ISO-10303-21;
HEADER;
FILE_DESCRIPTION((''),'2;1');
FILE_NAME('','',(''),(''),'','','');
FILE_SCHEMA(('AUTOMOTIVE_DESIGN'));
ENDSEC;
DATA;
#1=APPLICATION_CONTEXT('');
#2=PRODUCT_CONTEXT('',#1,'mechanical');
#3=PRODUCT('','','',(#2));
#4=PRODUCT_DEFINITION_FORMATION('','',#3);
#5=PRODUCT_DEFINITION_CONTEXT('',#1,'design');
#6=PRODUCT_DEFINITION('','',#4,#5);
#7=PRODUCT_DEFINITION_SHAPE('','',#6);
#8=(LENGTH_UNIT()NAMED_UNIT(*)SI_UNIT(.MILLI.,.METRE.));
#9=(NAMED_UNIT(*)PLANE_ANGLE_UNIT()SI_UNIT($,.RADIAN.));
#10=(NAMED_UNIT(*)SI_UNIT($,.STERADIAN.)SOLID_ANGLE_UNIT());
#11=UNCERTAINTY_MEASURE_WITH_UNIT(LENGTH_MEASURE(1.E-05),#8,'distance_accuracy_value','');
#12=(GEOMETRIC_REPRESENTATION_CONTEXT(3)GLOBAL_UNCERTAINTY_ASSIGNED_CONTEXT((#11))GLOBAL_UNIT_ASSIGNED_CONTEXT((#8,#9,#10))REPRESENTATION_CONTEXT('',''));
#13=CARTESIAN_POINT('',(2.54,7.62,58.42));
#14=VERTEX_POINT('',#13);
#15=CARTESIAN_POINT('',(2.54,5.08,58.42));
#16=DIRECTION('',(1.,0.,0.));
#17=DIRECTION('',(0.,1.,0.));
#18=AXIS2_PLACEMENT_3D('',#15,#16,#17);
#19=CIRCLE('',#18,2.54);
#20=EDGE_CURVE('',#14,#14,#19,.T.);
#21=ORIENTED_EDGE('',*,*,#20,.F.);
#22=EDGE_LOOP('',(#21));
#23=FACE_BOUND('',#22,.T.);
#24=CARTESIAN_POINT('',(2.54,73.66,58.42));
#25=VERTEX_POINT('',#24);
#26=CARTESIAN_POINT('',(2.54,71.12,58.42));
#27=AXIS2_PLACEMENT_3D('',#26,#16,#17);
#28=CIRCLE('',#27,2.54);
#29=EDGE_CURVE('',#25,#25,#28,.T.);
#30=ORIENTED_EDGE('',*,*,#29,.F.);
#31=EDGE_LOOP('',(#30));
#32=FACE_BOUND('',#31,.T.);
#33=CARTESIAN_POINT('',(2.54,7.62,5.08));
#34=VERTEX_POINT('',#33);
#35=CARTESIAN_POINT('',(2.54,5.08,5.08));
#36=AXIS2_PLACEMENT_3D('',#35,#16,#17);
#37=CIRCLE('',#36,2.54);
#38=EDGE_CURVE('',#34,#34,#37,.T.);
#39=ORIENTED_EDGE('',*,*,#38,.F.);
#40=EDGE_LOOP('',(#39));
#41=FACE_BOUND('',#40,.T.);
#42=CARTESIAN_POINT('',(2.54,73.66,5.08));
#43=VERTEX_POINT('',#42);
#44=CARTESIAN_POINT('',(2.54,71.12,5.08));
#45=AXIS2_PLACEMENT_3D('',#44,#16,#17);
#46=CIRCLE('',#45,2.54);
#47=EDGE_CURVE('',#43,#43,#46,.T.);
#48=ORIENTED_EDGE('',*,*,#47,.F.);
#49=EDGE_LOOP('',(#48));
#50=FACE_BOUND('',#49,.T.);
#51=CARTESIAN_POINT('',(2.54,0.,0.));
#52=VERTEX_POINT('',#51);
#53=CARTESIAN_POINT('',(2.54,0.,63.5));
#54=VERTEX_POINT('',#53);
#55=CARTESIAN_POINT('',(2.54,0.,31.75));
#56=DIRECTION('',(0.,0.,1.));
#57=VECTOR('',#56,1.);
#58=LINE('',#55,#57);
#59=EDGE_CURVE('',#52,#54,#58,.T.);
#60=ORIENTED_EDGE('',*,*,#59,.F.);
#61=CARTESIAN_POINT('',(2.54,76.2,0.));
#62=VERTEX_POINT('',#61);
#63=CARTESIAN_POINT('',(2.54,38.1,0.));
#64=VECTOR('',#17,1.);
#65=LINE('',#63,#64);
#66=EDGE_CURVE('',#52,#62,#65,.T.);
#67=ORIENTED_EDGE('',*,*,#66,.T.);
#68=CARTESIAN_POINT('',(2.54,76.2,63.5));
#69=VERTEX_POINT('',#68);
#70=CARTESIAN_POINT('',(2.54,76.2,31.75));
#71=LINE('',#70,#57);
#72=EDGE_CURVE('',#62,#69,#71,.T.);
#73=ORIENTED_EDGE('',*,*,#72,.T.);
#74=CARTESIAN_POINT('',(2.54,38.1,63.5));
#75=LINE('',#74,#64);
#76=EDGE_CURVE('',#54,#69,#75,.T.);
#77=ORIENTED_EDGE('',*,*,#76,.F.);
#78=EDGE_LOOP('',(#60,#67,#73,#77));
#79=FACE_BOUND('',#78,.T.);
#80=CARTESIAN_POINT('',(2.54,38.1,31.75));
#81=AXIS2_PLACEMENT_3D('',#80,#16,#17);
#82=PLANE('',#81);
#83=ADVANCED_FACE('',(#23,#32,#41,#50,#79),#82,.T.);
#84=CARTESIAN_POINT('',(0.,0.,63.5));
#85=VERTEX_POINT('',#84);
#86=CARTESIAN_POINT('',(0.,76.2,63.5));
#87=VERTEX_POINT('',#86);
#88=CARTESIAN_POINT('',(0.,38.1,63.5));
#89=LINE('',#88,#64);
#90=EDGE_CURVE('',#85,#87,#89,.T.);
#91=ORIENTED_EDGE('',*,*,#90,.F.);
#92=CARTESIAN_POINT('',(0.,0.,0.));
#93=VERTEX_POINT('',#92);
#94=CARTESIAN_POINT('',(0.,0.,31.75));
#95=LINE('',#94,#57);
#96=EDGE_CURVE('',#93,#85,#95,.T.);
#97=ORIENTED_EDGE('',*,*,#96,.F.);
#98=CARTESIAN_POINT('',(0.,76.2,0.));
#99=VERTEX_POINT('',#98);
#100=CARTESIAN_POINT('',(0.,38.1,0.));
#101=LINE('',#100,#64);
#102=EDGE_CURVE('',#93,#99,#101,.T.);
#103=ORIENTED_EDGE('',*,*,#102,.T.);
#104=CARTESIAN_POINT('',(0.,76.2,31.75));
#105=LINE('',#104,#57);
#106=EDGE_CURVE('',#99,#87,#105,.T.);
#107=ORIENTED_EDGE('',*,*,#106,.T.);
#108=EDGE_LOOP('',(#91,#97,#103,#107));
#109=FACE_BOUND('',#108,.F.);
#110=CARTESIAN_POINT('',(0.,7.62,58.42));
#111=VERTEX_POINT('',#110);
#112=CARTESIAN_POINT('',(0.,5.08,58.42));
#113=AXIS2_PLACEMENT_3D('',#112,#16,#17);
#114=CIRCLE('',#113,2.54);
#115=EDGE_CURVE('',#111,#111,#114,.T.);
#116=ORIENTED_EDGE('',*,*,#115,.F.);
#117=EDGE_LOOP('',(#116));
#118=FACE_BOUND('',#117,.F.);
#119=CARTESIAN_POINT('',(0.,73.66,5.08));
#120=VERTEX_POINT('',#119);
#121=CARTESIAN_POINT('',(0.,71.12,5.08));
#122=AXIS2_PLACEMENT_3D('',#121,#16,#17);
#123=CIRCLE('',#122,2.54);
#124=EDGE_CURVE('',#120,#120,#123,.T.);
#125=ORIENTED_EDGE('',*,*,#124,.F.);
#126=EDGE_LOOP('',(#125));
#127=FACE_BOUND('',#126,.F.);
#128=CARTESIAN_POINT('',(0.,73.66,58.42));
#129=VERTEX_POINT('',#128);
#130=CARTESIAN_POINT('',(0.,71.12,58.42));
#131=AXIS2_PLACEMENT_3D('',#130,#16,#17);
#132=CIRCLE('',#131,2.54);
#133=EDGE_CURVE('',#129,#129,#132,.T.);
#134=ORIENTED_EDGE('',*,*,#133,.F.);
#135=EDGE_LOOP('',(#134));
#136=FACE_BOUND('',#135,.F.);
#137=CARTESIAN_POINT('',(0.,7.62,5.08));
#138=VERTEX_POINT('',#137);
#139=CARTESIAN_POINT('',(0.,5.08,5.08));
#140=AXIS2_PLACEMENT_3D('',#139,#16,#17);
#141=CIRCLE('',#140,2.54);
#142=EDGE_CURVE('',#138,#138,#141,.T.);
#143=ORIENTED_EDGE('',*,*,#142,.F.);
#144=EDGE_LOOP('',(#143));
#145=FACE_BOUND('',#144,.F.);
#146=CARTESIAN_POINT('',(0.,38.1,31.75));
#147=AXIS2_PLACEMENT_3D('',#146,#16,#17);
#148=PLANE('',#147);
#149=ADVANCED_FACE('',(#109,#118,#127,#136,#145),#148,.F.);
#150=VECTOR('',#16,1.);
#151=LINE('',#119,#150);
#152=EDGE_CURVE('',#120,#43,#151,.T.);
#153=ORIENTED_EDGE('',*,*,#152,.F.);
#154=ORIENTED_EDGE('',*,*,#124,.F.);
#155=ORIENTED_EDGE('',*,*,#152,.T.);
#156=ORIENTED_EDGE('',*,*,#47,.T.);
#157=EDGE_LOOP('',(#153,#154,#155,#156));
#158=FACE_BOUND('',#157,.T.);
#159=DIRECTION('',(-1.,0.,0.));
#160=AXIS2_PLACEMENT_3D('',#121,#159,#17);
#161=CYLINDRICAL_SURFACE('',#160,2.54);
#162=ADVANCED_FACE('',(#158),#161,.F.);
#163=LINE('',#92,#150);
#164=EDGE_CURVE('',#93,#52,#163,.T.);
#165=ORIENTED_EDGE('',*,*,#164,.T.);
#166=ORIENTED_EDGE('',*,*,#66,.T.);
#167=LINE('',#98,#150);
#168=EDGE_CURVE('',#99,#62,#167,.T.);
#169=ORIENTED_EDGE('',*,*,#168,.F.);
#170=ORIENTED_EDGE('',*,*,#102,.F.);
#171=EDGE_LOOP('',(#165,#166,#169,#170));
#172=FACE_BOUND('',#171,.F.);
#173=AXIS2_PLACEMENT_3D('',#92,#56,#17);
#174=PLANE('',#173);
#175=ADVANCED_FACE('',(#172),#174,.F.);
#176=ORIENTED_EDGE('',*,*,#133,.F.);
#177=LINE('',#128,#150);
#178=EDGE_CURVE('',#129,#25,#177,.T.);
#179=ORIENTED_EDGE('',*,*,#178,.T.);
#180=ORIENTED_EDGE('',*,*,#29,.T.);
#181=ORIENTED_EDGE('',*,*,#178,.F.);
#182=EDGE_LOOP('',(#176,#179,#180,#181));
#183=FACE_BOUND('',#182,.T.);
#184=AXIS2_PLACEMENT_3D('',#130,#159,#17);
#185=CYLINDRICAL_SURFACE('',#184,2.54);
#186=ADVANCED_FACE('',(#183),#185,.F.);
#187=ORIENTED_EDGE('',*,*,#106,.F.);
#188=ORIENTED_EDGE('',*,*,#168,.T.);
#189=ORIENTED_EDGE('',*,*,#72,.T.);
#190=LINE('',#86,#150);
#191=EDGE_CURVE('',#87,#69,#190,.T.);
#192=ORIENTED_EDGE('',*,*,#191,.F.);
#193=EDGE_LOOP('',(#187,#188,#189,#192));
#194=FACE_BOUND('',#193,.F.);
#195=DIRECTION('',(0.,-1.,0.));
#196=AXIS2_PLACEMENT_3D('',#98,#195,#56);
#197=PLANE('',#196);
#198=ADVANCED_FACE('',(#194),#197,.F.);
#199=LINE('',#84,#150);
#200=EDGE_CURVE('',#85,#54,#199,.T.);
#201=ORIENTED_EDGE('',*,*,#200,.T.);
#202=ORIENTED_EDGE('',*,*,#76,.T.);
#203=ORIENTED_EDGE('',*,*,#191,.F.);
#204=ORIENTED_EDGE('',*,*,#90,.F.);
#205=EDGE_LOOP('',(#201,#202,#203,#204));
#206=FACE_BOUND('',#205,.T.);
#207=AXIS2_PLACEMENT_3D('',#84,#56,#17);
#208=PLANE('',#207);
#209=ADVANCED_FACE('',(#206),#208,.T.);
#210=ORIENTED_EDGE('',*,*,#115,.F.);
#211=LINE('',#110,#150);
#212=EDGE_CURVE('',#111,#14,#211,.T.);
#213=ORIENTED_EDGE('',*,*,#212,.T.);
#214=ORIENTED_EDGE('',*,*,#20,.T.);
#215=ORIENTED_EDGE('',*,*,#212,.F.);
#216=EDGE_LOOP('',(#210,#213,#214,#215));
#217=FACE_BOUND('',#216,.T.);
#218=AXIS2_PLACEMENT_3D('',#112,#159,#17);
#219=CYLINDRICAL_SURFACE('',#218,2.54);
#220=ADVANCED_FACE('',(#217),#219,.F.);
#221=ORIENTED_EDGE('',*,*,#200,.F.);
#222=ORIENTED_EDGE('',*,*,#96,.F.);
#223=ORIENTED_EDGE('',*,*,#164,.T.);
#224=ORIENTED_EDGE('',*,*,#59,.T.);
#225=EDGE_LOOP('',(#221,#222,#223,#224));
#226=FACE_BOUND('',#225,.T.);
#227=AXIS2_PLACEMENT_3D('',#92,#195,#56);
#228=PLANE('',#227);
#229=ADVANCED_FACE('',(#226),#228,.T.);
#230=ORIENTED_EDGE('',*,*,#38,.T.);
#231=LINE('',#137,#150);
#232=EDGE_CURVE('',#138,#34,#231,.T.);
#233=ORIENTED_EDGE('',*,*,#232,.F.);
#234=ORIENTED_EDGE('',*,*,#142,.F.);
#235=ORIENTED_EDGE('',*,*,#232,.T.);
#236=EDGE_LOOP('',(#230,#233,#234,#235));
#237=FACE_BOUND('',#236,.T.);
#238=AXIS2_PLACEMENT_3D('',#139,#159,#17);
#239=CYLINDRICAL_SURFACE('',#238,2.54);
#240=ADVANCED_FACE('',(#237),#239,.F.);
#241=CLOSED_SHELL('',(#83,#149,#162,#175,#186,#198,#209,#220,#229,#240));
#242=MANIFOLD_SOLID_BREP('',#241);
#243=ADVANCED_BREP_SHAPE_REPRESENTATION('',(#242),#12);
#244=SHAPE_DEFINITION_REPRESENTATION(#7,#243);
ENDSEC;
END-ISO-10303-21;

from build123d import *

# Parameters (mm, degrees)
F0_W     = 76.2
F0_H     = 63.5
F0_R     = 2.54
F1_DEPTH = 2.54


with BuildPart() as f1:
    # F0 (on Right) → F1 (new body)
    with BuildSketch(Plane.YZ):
        with Locations((38.1, 31.75)):
            Rectangle(F0_W, F0_H)
        with Locations((5.08, 5.08)):
            Circle(F0_R, mode=Mode.SUBTRACT)
        with Locations((71.12, 5.08)):
            Circle(F0_R, mode=Mode.SUBTRACT)
        with Locations((5.08, 58.42)):
            Circle(F0_R, mode=Mode.SUBTRACT)
        with Locations((71.12, 58.42)):
            Circle(F0_R, mode=Mode.SUBTRACT)
    extrude(amount=F1_DEPTH)


solid = f1.part
